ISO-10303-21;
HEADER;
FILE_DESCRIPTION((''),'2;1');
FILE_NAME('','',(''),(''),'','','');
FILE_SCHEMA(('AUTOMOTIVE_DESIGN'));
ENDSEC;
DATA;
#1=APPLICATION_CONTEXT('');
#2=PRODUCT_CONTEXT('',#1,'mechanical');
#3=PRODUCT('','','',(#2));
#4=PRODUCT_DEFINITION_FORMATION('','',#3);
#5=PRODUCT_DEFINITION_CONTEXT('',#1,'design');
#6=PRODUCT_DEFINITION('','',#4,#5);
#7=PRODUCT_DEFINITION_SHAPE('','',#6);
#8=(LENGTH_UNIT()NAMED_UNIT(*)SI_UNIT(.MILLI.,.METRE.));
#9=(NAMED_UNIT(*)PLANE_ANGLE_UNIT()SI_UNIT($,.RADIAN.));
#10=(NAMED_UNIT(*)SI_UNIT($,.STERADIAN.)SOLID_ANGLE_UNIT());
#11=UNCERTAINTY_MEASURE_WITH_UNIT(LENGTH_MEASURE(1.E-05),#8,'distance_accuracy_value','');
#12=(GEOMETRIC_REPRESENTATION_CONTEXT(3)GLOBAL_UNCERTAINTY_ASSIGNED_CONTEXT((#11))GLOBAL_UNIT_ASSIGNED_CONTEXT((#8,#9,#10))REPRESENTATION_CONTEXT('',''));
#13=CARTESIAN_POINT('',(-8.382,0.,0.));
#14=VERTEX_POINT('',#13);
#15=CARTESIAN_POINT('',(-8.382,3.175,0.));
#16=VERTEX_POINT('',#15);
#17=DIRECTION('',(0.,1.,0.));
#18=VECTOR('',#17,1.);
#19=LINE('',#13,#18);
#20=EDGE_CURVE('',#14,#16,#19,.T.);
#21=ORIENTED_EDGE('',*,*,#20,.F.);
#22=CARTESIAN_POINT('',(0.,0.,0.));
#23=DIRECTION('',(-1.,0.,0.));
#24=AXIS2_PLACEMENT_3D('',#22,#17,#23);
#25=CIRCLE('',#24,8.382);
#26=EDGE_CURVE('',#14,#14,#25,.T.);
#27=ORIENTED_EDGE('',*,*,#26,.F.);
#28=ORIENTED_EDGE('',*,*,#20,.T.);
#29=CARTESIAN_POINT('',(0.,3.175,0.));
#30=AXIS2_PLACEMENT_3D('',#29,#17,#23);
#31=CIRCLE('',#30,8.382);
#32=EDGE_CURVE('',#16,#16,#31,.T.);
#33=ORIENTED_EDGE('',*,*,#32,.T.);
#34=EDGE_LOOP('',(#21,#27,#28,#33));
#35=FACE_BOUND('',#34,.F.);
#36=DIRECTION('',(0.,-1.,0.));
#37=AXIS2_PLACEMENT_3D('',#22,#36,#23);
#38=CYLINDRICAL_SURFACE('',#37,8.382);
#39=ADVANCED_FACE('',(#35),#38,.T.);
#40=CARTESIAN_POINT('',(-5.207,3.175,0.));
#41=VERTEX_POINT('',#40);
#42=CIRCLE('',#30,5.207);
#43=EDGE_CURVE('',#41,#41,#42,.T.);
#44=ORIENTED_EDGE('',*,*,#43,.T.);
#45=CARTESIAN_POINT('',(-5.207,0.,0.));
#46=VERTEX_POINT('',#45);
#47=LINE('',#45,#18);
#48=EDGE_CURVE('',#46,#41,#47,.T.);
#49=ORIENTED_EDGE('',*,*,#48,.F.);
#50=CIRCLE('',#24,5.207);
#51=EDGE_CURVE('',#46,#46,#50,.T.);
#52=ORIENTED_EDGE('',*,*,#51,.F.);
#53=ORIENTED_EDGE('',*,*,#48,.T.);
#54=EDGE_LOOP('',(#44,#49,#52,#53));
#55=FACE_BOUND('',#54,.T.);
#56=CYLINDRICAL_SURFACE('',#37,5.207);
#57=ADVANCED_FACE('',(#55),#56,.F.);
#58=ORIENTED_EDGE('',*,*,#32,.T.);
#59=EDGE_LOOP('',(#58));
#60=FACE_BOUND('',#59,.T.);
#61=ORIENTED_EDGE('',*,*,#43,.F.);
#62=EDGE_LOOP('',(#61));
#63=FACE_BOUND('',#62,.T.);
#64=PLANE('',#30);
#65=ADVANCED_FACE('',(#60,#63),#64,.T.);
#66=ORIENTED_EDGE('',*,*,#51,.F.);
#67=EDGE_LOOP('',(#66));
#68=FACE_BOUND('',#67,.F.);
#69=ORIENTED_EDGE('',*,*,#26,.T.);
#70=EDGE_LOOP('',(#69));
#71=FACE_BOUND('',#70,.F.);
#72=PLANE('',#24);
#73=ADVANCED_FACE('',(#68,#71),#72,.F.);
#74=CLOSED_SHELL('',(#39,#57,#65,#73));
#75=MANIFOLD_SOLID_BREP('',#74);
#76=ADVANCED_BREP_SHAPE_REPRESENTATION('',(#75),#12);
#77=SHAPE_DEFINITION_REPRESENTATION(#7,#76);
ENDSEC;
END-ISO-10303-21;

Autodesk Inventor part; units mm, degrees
ref_plane "YZ Plane" through (0, 0, 0) normal (1, 0, 0) x (0, 1, 0)
ref_plane "XZ Plane" through (0, 0, 0) normal (0, 1, 0) x (-1, 0, 0)
ref_plane "XY Plane" through (0, 0, 0) normal (0, 0, 1) x (1, 0, 0)
sketch "Sketch1" plane through (0, 0, 0) normal (0, 1, 0) x (-1, 0, 0)
  circle A0 centre (0, 0) radius 5.207
  circle A1 centre (0, 0) radius 8.382
  dimension "d0" = 10.414
  dimension "d1" = 3.175
extrude "Extrusion1" add sketch "Sketch1" along normal blind 3.175
properties part number "GP6-012" material "ABS Plastic"
